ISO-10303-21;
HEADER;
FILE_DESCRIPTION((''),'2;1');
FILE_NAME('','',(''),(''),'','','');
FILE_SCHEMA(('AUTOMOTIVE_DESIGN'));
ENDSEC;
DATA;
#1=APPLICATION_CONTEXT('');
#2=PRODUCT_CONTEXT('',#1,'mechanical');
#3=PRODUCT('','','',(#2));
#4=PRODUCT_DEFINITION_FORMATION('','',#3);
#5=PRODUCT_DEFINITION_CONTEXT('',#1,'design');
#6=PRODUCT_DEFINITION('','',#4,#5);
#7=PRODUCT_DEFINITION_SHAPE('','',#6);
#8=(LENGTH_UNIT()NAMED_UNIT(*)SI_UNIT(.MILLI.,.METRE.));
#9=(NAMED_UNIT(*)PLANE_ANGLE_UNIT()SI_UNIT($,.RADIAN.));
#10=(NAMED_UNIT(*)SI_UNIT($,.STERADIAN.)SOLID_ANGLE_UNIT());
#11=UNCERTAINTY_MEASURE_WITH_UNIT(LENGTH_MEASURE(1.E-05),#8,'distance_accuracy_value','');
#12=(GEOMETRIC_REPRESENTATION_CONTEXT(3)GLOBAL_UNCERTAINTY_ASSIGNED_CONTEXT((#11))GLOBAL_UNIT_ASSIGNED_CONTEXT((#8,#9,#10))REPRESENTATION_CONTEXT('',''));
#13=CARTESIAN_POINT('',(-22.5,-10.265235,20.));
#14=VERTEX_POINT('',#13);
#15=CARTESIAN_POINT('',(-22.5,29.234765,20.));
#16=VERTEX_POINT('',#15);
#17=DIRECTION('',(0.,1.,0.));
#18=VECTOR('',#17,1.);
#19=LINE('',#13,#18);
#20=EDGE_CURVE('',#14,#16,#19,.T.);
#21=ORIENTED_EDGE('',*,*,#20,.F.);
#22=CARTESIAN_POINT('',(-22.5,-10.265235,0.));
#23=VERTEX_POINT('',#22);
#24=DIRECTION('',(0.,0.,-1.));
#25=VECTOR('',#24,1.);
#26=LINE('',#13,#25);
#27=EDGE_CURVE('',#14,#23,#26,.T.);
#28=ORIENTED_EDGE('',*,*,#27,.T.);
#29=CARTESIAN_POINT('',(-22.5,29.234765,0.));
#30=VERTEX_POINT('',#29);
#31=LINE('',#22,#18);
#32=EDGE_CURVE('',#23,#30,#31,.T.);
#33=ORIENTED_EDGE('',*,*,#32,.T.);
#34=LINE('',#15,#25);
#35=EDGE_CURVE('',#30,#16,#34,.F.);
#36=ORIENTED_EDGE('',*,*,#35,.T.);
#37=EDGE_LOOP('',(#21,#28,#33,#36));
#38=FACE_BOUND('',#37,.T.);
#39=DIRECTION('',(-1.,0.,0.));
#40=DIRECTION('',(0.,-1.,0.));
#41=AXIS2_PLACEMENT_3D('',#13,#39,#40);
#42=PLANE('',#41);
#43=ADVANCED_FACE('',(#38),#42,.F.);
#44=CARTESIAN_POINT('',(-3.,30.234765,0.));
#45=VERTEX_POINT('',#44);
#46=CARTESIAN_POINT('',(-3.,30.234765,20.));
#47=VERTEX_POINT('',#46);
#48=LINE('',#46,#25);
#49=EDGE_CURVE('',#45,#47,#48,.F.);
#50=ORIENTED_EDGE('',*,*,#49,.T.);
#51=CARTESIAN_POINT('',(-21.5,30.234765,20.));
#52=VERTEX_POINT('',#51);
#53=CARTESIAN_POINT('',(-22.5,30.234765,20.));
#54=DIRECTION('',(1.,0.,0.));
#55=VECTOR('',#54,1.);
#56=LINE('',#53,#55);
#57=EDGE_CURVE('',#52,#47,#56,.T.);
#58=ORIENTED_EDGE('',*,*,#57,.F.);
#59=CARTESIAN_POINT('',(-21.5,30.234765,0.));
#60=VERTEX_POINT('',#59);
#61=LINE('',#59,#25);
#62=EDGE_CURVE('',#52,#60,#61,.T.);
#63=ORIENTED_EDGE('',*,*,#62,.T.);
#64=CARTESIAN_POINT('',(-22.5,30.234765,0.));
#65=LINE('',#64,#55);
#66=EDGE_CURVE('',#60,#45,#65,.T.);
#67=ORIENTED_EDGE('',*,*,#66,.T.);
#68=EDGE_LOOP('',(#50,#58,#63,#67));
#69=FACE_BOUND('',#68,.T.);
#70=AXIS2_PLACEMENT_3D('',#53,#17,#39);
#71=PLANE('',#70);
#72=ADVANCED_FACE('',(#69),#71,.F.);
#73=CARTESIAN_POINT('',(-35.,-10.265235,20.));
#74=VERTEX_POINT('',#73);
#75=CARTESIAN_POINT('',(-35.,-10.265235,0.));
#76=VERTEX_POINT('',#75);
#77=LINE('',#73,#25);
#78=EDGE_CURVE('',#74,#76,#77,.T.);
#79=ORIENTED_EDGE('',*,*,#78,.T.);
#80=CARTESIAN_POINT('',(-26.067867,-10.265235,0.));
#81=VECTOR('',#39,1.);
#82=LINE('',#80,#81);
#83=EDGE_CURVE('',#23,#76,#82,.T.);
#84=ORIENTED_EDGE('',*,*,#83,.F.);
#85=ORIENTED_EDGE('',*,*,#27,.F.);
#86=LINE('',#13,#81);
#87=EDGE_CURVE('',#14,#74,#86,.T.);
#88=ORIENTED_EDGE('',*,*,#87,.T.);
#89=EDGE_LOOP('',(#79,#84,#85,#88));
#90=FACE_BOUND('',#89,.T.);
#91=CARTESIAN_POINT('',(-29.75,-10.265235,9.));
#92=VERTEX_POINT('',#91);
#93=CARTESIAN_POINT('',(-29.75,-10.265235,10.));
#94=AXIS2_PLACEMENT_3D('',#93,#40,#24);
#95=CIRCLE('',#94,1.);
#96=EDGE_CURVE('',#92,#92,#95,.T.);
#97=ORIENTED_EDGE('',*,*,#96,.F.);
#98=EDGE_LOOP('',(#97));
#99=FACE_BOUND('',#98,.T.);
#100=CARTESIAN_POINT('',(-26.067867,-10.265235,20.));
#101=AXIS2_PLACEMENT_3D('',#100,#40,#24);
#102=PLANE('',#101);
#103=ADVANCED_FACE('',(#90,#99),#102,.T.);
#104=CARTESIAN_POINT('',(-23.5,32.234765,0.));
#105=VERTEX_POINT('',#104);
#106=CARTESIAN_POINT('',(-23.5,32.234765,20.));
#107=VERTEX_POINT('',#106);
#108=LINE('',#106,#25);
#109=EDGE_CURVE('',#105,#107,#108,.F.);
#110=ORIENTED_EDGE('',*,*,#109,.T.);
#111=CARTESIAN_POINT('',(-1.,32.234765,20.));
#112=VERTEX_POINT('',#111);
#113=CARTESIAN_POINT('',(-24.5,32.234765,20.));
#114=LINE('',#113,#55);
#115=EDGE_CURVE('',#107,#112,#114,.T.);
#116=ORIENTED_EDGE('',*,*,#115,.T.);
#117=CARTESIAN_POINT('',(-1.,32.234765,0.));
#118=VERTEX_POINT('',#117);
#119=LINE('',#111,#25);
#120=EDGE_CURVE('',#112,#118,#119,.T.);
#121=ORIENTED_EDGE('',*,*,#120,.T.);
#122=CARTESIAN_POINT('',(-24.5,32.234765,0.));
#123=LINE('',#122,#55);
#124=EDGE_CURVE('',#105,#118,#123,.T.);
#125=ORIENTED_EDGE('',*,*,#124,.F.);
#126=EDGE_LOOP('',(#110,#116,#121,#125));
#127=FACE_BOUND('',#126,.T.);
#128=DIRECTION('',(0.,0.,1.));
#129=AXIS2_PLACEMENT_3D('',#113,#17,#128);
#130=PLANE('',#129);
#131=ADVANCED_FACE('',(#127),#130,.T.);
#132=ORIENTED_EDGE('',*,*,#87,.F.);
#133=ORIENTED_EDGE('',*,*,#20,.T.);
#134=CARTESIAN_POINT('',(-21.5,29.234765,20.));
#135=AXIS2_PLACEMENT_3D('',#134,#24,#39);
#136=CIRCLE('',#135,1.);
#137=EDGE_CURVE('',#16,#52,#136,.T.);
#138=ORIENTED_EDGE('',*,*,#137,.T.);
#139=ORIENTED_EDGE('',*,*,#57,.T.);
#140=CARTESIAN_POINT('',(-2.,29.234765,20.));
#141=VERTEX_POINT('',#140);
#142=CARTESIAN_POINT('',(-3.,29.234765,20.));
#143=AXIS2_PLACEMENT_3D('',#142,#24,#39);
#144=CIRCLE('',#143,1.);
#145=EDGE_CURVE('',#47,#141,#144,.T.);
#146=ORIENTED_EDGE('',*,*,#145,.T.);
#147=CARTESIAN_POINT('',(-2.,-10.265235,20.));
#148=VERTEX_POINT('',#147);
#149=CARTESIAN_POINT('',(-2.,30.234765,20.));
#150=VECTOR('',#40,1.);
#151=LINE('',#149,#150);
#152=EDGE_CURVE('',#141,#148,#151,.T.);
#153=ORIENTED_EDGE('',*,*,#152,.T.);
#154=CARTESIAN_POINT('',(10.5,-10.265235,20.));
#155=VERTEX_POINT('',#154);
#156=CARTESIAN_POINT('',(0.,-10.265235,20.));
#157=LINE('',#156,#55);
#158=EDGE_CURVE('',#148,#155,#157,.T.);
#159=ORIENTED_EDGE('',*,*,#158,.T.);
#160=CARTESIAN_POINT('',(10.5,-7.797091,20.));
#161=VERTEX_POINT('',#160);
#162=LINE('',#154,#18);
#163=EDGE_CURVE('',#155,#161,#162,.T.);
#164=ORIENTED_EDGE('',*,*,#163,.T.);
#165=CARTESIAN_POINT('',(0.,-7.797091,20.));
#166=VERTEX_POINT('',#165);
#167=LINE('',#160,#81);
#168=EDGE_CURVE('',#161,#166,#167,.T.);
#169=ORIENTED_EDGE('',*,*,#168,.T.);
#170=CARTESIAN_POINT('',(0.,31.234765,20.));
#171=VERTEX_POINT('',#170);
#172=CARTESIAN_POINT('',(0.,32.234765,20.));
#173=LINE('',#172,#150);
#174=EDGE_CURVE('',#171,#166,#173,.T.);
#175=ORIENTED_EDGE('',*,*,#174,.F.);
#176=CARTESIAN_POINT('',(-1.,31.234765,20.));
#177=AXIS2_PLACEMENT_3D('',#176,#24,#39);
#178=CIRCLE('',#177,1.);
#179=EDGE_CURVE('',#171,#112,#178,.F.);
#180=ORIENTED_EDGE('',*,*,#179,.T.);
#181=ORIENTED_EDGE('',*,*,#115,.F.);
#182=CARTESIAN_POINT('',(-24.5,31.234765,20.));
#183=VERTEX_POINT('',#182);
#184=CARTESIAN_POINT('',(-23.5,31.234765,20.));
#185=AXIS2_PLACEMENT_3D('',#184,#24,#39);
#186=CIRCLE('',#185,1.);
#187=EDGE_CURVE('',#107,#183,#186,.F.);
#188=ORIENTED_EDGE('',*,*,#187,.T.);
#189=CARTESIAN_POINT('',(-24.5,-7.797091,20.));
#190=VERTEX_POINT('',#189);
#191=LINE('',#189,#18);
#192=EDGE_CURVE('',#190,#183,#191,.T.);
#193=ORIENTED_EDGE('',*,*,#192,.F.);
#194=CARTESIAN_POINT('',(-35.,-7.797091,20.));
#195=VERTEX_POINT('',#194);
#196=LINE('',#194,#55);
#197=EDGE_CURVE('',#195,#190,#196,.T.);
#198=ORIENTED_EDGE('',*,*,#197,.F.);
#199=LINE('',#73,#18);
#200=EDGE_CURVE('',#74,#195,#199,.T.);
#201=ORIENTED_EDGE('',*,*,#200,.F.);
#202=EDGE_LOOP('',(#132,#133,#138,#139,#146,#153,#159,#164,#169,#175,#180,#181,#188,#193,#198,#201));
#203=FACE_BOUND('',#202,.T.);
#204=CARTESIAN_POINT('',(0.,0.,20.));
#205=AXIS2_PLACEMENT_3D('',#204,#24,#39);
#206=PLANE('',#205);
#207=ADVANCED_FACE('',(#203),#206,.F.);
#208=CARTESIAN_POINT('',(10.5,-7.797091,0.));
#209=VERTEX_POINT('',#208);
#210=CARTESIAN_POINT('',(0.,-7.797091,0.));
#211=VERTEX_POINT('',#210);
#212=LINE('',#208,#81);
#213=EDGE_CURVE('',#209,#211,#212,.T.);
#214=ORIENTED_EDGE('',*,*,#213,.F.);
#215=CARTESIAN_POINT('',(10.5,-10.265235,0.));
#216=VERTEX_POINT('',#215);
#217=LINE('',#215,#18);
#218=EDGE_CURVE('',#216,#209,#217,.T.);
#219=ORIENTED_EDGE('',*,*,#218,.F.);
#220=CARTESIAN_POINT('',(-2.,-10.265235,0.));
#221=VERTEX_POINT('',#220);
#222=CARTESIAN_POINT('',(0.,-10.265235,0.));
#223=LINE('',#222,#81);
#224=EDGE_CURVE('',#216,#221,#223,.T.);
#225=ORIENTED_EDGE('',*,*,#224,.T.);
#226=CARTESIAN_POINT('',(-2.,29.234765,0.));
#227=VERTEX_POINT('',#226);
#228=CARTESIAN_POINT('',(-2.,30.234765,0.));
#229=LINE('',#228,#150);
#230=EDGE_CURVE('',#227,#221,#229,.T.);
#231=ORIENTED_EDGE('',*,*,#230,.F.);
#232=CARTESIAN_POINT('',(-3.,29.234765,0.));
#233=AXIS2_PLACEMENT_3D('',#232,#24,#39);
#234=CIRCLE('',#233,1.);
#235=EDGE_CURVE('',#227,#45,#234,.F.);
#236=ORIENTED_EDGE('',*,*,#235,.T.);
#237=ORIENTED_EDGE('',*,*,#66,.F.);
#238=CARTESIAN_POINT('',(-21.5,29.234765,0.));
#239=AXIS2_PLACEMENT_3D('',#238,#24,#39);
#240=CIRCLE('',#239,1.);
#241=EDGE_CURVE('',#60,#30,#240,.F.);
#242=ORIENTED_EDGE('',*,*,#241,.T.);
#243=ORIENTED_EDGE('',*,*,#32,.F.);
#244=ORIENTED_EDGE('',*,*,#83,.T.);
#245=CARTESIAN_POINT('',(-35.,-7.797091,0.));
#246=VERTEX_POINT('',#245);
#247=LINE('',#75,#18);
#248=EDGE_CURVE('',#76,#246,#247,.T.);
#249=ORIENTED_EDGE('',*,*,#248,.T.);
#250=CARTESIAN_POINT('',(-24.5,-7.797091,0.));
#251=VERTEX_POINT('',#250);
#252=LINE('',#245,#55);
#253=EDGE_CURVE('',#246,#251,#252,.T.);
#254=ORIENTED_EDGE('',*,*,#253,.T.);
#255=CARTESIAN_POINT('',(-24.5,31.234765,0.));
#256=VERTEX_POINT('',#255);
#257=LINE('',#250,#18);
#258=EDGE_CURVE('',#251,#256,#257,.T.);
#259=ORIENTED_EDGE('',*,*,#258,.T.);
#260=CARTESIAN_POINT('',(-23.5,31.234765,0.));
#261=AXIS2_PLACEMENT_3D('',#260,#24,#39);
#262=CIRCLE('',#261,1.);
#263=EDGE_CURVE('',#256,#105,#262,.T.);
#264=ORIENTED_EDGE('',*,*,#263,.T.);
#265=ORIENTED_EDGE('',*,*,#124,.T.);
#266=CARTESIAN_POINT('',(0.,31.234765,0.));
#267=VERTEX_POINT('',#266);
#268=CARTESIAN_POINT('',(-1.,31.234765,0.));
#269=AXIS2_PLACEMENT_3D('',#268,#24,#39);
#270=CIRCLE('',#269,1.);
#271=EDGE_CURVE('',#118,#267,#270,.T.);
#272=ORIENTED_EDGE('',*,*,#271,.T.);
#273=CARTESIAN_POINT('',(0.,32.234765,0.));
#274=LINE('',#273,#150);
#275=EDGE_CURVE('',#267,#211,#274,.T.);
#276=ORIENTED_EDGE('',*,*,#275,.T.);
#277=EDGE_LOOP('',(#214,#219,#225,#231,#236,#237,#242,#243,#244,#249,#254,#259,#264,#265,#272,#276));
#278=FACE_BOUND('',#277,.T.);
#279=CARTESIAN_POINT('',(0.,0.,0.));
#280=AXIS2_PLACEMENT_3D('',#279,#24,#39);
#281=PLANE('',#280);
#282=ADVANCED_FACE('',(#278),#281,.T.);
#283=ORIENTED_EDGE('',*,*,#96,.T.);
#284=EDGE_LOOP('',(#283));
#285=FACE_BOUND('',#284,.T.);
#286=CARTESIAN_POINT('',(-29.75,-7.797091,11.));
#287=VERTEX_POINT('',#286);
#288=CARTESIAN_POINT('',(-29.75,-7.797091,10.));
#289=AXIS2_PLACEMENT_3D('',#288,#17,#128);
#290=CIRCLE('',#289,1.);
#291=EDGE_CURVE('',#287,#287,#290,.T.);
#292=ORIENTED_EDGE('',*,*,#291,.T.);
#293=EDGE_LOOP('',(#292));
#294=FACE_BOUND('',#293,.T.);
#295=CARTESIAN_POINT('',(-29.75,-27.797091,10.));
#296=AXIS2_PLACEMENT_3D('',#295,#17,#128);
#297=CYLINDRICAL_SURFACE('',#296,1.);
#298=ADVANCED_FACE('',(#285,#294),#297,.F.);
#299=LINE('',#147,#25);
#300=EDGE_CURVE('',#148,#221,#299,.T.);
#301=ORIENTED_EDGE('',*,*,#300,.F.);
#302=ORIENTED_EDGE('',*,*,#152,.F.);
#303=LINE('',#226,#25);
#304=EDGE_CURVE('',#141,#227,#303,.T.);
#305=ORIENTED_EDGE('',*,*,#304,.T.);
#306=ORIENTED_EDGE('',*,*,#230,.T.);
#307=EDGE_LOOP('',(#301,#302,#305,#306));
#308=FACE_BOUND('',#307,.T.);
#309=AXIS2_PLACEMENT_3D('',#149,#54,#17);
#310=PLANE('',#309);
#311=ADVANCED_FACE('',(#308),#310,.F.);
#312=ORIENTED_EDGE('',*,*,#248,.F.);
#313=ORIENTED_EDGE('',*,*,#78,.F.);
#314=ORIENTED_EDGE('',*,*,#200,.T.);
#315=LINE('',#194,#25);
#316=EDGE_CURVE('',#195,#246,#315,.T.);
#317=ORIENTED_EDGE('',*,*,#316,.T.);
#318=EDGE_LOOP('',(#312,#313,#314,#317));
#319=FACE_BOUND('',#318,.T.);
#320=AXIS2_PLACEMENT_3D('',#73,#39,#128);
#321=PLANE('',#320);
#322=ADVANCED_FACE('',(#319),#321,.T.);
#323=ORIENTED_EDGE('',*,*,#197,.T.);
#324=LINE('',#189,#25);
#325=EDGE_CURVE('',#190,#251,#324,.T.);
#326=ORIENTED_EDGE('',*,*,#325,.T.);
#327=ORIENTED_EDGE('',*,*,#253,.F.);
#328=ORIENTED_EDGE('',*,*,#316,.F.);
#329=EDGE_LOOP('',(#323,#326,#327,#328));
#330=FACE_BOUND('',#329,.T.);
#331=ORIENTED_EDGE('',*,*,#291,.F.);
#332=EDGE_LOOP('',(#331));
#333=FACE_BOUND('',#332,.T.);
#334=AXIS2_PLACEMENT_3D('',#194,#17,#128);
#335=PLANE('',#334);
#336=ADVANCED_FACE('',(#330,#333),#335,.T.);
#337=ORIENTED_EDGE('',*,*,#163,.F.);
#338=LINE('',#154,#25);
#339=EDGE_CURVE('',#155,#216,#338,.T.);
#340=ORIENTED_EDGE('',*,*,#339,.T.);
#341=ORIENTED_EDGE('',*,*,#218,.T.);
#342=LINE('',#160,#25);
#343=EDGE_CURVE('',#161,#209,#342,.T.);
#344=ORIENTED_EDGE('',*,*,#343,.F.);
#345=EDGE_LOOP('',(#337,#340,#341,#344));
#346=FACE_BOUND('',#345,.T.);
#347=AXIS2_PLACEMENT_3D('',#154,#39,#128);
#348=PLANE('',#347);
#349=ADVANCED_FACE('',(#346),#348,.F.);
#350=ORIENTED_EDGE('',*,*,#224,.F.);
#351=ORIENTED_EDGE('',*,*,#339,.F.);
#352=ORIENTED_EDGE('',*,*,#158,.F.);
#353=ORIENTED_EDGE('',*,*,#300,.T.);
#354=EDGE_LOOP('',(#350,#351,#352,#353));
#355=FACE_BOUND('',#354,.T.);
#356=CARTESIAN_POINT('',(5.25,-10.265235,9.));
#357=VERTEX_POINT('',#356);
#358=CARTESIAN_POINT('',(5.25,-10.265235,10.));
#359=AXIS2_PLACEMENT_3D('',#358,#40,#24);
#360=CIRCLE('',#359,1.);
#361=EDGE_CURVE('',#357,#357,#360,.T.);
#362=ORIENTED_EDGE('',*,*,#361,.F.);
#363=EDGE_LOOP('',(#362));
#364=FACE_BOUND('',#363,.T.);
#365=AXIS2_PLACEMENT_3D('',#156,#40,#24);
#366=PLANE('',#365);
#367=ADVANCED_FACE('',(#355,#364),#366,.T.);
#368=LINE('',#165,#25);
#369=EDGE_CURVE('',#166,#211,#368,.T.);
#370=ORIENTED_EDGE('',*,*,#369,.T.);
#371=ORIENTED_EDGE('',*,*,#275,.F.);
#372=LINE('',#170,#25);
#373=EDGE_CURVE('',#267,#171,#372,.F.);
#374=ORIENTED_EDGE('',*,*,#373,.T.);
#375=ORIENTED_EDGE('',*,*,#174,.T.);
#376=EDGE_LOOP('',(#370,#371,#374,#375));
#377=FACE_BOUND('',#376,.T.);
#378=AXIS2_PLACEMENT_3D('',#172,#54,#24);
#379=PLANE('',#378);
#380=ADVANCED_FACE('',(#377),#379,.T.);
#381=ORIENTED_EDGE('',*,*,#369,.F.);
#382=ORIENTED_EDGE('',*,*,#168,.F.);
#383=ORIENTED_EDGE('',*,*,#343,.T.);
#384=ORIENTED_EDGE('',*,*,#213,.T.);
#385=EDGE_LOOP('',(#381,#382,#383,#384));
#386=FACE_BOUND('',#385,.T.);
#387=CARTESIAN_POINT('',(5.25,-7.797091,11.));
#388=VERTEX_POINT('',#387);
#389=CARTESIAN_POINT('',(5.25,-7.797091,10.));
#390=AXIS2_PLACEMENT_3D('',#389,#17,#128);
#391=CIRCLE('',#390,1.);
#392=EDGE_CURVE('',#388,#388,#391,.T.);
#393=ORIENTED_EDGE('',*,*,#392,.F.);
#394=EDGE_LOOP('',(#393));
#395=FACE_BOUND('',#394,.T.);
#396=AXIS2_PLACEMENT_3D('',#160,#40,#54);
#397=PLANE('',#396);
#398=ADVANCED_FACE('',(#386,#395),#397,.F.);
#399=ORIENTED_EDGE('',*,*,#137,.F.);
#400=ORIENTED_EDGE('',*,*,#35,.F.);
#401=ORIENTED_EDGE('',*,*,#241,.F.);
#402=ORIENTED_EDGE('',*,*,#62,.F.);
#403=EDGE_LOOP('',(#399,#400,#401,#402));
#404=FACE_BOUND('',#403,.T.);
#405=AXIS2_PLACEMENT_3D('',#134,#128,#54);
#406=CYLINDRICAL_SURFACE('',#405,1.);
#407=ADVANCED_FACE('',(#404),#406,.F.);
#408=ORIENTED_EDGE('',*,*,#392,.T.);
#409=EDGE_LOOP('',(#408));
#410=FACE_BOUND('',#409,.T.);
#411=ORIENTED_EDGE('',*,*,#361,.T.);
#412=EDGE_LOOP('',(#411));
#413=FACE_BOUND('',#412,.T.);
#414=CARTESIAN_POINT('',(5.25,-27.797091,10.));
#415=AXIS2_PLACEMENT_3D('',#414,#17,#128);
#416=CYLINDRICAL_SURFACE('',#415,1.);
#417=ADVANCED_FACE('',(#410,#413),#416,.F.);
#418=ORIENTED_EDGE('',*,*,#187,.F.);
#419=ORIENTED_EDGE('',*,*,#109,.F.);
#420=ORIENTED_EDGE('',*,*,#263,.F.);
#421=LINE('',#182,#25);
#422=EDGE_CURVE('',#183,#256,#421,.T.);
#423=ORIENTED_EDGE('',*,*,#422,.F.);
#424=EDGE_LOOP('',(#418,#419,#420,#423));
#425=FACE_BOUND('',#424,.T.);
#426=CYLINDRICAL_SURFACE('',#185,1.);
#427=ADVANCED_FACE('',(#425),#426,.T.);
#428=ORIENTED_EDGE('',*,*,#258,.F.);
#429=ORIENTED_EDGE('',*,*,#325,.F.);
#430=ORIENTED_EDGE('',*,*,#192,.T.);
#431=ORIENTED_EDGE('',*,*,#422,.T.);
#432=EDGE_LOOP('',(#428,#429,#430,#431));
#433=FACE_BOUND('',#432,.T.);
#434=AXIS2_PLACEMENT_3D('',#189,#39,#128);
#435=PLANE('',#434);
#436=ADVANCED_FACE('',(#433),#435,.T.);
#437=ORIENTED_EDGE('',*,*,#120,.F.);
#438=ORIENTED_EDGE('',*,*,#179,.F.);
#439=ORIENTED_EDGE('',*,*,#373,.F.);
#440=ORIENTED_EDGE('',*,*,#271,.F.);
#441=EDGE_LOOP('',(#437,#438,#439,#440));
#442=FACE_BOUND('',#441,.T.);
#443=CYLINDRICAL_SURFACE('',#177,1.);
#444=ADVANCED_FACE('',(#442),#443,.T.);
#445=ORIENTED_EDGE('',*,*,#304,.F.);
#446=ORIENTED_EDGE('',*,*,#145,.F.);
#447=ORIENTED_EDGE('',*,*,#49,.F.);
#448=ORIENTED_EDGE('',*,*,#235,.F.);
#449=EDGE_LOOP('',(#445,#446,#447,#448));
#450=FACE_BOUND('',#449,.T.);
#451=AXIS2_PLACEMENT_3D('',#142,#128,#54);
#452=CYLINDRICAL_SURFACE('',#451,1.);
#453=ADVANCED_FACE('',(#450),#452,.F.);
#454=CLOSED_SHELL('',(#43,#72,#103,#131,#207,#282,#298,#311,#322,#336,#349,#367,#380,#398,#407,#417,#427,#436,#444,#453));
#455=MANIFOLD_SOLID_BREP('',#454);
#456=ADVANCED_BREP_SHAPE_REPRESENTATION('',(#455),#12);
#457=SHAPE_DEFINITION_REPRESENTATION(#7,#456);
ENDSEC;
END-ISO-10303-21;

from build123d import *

# Parameters (mm, degrees)
BOSS_EXTRUDE1_DEPTH = 20
FILLET1_R           = 1
SKETCH2_R           = 1
CUT_EXTRUDE1_DEPTH  = 20


with BuildPart() as part:
    # Sketch1 → Boss-Extrude1 (new body)
    with BuildSketch(Plane.XY):
        Polygon((-22.5, -10.265235457), (-22.5, 30.234764543), (-2, 30.234764543), (-2, -10.265235457), (0, -10.265235457), (10.5, -10.265235457), (10.5, -7.797091413), (0, -7.797091413), (0, 32.234764543), (-24.5, 32.234764543), (-24.5, -7.797091413), (-35, -7.797091413), (-35, -10.265235457), (-26.067867036, -10.265235457), align=None)
    extrude(amount=BOSS_EXTRUDE1_DEPTH)

    # Fillet1
    fillet1_edges = [part.edges().sort_by_distance(p)[0] for p in [
        (-22.5, 30.234764543, 10),
        (-2, 30.234764543, 10),
        (0, 32.234764543, 10),
        (-24.5, 32.234764543, 10),
    ]]
    fillet(fillet1_edges, radius=FILLET1_R)

    # Sketch2 → Cut-Extrude1 (cut)
    with BuildSketch(Plane(origin=(0, -7.797091413, 0), x_dir=(1, 0, 0), z_dir=(0, 1, 0))):
        with Locations((-29.75, -10)):
            Circle(SKETCH2_R)
        with Locations((5.25, -10)):
            Circle(SKETCH2_R)
    extrude(amount=-CUT_EXTRUDE1_DEPTH, mode=Mode.SUBTRACT)


solid = part.part
